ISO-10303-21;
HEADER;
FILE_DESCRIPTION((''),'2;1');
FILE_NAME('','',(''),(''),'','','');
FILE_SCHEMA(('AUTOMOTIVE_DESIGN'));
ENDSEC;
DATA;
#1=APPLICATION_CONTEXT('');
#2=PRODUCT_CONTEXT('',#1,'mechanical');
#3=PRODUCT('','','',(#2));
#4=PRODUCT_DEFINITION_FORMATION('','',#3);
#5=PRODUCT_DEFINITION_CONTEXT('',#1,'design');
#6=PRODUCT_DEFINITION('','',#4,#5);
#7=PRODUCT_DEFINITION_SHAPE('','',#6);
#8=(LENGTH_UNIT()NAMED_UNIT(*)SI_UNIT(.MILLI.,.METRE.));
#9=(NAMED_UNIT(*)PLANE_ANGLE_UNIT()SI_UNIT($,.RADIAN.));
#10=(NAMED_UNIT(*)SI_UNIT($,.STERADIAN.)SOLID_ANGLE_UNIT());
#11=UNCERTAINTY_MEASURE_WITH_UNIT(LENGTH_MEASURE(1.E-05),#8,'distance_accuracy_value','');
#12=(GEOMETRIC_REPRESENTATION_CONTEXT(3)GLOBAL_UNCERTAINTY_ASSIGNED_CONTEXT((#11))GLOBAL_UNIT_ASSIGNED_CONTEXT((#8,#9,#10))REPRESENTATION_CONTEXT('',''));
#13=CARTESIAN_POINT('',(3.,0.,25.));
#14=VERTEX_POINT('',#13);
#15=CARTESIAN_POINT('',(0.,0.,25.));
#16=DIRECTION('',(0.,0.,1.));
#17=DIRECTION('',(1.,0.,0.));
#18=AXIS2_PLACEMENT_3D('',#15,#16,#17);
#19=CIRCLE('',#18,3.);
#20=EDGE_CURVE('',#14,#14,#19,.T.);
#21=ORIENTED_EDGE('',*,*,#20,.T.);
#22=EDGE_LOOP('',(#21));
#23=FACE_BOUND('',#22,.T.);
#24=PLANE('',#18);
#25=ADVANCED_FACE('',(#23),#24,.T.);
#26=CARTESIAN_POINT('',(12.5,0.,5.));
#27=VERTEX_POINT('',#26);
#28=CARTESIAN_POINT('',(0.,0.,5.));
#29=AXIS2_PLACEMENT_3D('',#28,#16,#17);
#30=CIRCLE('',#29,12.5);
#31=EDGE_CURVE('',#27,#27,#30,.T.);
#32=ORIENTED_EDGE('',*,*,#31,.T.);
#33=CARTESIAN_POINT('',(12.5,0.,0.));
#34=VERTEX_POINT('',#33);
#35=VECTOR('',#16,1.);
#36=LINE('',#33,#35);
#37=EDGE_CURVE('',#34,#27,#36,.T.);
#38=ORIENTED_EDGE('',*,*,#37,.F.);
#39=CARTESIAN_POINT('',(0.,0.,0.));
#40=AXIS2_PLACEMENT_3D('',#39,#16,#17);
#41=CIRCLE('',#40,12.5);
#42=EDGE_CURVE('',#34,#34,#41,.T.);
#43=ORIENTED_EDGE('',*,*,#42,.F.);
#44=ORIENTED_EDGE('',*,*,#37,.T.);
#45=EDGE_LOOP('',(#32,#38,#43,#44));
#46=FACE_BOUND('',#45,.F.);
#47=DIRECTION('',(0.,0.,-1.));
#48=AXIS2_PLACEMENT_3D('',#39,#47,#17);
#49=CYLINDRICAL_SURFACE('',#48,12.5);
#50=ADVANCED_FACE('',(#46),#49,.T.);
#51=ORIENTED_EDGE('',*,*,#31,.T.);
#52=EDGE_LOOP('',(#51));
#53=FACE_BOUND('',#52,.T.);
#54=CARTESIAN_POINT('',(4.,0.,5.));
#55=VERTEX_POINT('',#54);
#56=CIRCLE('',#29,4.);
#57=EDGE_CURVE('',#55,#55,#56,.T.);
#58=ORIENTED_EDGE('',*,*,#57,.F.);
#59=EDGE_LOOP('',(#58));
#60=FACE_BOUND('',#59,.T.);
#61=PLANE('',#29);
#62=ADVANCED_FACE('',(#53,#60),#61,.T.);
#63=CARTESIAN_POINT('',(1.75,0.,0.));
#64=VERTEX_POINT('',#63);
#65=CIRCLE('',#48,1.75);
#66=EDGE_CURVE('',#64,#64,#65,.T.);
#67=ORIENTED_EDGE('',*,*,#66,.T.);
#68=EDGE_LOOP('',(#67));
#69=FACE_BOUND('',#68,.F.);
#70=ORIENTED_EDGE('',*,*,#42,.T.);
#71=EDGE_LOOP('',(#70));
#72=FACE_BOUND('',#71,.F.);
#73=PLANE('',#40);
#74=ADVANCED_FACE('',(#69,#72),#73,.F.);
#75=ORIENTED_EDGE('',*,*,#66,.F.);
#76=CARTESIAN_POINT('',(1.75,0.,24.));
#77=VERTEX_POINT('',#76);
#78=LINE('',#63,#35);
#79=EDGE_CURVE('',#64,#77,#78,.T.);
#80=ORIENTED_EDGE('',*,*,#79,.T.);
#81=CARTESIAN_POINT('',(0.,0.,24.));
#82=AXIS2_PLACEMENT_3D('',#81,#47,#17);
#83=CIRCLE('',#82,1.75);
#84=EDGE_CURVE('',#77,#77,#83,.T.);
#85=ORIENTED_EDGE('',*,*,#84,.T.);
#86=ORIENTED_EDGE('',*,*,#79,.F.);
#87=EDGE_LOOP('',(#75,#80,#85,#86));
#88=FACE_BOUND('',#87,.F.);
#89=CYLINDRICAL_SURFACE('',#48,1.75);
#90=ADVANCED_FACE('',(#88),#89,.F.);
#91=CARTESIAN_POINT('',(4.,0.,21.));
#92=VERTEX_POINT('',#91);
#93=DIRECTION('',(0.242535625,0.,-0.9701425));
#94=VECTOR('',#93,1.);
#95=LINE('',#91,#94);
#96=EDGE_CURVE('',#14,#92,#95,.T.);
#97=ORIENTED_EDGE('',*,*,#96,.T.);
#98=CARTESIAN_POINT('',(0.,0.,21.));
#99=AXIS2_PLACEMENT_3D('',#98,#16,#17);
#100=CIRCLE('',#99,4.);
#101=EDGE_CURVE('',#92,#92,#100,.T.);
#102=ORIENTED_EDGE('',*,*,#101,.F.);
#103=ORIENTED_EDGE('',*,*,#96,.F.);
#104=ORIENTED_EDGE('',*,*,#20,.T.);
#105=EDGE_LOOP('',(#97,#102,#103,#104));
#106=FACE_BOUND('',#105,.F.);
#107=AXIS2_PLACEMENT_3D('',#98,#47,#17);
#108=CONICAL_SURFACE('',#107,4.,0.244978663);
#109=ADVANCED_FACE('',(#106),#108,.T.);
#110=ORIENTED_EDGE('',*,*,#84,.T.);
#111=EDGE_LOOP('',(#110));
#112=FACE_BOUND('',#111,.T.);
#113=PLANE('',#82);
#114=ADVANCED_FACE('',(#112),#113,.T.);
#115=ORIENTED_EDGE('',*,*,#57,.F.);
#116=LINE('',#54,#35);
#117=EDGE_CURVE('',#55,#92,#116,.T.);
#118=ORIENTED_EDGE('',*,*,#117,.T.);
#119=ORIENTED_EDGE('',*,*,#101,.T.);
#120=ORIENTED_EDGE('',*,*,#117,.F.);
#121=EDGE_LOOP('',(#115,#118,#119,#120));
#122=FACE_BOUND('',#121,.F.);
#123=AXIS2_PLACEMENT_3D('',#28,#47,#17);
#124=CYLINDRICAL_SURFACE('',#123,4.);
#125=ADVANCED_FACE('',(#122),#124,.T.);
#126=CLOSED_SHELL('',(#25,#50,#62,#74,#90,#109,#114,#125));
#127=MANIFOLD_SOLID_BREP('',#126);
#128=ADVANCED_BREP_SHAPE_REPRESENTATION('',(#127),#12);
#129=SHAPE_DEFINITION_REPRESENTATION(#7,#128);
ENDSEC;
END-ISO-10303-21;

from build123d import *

# Parameters (mm, degrees)
F0_R     = 12.5
F1_DEPTH = 5
F2_R     = 4
F3_DEPTH = 20
F4_SIZE2 = 4
F4_SIZE  = 1
F5_R     = 1.75
F6_DEPTH = 24


with BuildPart() as f1:
    # F0 (on Top) → F1 (new body)
    with BuildSketch(Plane.XY):
        Circle(F0_R)
    extrude(amount=F1_DEPTH)

    # F2 (on face) → F3 (join)
    with BuildSketch(Plane.XY.offset(5)):
        Circle(F2_R)
    extrude(amount=F3_DEPTH)

    # F4
    f4_edges = [f1.edges().sort_by_distance(p)[0] for p in [
        (-4, 0, 25),
    ]]
    f4_side = f1.faces().sort_by_distance((0, 0, 25))[0]
    chamfer(f4_edges, length=F4_SIZE, length2=F4_SIZE2, reference=f4_side)

    # F5 (on face) → F6 (cut)
    with BuildSketch(Plane(origin=(0, 0, 0), x_dir=(1, 0, 0), z_dir=(0, 0, -1))):
        Circle(F5_R)
    extrude(amount=-F6_DEPTH, mode=Mode.SUBTRACT)


solid = f1.part
